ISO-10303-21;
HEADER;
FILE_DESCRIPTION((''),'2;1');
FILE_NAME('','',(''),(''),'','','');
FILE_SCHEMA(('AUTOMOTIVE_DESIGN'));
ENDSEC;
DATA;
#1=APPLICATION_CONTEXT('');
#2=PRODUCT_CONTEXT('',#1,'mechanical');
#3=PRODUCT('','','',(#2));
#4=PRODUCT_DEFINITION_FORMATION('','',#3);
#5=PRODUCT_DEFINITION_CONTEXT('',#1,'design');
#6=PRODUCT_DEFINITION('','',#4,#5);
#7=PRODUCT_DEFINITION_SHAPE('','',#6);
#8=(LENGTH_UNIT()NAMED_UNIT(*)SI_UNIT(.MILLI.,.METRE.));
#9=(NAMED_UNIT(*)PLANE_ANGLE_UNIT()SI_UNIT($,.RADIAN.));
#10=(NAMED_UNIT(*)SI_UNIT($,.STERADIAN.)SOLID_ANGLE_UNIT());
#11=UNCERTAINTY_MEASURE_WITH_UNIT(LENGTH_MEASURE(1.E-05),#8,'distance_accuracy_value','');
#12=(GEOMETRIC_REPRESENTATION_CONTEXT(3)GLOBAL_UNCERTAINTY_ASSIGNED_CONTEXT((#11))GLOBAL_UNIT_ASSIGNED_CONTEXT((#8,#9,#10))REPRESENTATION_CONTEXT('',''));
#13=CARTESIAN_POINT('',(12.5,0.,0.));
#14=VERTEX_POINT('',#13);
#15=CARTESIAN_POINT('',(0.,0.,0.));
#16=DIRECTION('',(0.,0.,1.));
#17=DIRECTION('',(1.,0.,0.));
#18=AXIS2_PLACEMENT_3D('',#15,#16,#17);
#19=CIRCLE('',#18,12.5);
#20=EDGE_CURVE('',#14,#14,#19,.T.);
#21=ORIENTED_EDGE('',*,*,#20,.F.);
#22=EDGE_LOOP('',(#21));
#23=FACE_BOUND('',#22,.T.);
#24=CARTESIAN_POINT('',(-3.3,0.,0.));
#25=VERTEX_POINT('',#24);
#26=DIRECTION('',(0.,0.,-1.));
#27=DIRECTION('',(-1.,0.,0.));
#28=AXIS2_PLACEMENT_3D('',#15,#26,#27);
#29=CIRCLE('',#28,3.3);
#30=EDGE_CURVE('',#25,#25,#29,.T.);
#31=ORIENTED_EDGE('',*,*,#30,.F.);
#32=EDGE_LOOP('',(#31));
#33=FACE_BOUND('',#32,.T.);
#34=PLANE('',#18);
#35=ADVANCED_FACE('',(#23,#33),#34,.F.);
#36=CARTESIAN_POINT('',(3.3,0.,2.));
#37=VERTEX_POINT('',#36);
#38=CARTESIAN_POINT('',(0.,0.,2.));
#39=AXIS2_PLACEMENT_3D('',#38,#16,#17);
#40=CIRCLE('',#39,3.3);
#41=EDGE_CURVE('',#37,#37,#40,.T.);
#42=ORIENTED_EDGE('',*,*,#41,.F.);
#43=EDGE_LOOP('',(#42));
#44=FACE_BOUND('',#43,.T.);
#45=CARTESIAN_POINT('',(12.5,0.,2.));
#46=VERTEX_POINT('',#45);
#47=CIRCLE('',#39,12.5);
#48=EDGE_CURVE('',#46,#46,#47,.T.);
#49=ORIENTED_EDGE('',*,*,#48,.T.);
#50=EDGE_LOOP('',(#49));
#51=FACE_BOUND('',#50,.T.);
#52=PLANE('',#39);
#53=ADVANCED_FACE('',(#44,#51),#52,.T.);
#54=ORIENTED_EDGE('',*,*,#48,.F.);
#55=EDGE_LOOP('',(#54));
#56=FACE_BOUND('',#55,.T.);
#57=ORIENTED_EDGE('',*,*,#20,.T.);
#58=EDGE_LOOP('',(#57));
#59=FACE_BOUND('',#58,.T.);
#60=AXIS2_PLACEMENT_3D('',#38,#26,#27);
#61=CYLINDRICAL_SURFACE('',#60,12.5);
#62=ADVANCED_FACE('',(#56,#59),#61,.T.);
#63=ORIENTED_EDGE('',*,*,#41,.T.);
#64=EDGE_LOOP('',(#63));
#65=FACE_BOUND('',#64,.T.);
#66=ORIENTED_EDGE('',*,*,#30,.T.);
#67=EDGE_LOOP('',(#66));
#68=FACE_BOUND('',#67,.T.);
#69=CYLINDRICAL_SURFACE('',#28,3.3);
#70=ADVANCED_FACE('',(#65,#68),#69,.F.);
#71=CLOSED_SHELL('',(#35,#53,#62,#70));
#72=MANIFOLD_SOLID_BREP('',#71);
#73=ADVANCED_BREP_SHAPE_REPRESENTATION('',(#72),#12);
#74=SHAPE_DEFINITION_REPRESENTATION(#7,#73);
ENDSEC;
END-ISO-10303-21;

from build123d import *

# Parameters (mm, degrees)
ESQUISSE1_R          = 12.5
BOSS_EXTRU_1_DEPTH   = 2
D_GAGEMENT_M61_D     = 6.6
D_GAGEMENT_M61_DEPTH = 16
D_GAGEMENT_M61_TIP   = 1.982840043


with BuildPart() as part:
    # Esquisse1 → Boss.-Extru.1 (new body)
    with BuildSketch(Plane.XY):
        Circle(ESQUISSE1_R)
    extrude(amount=BOSS_EXTRU_1_DEPTH)

    # Dégagement M61
    with Locations(Plane(origin=(0, 0, 0), x_dir=(-1, 0, 0), z_dir=(0, 0, -1))):
        with Locations((0, 0)):
            Hole(D_GAGEMENT_M61_D / 2, depth=D_GAGEMENT_M61_DEPTH)
            with Locations((0, 0, -(D_GAGEMENT_M61_DEPTH + D_GAGEMENT_M61_TIP / 2))):  # 118° drill point
                Cone(0, D_GAGEMENT_M61_D / 2, D_GAGEMENT_M61_TIP, mode=Mode.SUBTRACT)


solid = part.part
